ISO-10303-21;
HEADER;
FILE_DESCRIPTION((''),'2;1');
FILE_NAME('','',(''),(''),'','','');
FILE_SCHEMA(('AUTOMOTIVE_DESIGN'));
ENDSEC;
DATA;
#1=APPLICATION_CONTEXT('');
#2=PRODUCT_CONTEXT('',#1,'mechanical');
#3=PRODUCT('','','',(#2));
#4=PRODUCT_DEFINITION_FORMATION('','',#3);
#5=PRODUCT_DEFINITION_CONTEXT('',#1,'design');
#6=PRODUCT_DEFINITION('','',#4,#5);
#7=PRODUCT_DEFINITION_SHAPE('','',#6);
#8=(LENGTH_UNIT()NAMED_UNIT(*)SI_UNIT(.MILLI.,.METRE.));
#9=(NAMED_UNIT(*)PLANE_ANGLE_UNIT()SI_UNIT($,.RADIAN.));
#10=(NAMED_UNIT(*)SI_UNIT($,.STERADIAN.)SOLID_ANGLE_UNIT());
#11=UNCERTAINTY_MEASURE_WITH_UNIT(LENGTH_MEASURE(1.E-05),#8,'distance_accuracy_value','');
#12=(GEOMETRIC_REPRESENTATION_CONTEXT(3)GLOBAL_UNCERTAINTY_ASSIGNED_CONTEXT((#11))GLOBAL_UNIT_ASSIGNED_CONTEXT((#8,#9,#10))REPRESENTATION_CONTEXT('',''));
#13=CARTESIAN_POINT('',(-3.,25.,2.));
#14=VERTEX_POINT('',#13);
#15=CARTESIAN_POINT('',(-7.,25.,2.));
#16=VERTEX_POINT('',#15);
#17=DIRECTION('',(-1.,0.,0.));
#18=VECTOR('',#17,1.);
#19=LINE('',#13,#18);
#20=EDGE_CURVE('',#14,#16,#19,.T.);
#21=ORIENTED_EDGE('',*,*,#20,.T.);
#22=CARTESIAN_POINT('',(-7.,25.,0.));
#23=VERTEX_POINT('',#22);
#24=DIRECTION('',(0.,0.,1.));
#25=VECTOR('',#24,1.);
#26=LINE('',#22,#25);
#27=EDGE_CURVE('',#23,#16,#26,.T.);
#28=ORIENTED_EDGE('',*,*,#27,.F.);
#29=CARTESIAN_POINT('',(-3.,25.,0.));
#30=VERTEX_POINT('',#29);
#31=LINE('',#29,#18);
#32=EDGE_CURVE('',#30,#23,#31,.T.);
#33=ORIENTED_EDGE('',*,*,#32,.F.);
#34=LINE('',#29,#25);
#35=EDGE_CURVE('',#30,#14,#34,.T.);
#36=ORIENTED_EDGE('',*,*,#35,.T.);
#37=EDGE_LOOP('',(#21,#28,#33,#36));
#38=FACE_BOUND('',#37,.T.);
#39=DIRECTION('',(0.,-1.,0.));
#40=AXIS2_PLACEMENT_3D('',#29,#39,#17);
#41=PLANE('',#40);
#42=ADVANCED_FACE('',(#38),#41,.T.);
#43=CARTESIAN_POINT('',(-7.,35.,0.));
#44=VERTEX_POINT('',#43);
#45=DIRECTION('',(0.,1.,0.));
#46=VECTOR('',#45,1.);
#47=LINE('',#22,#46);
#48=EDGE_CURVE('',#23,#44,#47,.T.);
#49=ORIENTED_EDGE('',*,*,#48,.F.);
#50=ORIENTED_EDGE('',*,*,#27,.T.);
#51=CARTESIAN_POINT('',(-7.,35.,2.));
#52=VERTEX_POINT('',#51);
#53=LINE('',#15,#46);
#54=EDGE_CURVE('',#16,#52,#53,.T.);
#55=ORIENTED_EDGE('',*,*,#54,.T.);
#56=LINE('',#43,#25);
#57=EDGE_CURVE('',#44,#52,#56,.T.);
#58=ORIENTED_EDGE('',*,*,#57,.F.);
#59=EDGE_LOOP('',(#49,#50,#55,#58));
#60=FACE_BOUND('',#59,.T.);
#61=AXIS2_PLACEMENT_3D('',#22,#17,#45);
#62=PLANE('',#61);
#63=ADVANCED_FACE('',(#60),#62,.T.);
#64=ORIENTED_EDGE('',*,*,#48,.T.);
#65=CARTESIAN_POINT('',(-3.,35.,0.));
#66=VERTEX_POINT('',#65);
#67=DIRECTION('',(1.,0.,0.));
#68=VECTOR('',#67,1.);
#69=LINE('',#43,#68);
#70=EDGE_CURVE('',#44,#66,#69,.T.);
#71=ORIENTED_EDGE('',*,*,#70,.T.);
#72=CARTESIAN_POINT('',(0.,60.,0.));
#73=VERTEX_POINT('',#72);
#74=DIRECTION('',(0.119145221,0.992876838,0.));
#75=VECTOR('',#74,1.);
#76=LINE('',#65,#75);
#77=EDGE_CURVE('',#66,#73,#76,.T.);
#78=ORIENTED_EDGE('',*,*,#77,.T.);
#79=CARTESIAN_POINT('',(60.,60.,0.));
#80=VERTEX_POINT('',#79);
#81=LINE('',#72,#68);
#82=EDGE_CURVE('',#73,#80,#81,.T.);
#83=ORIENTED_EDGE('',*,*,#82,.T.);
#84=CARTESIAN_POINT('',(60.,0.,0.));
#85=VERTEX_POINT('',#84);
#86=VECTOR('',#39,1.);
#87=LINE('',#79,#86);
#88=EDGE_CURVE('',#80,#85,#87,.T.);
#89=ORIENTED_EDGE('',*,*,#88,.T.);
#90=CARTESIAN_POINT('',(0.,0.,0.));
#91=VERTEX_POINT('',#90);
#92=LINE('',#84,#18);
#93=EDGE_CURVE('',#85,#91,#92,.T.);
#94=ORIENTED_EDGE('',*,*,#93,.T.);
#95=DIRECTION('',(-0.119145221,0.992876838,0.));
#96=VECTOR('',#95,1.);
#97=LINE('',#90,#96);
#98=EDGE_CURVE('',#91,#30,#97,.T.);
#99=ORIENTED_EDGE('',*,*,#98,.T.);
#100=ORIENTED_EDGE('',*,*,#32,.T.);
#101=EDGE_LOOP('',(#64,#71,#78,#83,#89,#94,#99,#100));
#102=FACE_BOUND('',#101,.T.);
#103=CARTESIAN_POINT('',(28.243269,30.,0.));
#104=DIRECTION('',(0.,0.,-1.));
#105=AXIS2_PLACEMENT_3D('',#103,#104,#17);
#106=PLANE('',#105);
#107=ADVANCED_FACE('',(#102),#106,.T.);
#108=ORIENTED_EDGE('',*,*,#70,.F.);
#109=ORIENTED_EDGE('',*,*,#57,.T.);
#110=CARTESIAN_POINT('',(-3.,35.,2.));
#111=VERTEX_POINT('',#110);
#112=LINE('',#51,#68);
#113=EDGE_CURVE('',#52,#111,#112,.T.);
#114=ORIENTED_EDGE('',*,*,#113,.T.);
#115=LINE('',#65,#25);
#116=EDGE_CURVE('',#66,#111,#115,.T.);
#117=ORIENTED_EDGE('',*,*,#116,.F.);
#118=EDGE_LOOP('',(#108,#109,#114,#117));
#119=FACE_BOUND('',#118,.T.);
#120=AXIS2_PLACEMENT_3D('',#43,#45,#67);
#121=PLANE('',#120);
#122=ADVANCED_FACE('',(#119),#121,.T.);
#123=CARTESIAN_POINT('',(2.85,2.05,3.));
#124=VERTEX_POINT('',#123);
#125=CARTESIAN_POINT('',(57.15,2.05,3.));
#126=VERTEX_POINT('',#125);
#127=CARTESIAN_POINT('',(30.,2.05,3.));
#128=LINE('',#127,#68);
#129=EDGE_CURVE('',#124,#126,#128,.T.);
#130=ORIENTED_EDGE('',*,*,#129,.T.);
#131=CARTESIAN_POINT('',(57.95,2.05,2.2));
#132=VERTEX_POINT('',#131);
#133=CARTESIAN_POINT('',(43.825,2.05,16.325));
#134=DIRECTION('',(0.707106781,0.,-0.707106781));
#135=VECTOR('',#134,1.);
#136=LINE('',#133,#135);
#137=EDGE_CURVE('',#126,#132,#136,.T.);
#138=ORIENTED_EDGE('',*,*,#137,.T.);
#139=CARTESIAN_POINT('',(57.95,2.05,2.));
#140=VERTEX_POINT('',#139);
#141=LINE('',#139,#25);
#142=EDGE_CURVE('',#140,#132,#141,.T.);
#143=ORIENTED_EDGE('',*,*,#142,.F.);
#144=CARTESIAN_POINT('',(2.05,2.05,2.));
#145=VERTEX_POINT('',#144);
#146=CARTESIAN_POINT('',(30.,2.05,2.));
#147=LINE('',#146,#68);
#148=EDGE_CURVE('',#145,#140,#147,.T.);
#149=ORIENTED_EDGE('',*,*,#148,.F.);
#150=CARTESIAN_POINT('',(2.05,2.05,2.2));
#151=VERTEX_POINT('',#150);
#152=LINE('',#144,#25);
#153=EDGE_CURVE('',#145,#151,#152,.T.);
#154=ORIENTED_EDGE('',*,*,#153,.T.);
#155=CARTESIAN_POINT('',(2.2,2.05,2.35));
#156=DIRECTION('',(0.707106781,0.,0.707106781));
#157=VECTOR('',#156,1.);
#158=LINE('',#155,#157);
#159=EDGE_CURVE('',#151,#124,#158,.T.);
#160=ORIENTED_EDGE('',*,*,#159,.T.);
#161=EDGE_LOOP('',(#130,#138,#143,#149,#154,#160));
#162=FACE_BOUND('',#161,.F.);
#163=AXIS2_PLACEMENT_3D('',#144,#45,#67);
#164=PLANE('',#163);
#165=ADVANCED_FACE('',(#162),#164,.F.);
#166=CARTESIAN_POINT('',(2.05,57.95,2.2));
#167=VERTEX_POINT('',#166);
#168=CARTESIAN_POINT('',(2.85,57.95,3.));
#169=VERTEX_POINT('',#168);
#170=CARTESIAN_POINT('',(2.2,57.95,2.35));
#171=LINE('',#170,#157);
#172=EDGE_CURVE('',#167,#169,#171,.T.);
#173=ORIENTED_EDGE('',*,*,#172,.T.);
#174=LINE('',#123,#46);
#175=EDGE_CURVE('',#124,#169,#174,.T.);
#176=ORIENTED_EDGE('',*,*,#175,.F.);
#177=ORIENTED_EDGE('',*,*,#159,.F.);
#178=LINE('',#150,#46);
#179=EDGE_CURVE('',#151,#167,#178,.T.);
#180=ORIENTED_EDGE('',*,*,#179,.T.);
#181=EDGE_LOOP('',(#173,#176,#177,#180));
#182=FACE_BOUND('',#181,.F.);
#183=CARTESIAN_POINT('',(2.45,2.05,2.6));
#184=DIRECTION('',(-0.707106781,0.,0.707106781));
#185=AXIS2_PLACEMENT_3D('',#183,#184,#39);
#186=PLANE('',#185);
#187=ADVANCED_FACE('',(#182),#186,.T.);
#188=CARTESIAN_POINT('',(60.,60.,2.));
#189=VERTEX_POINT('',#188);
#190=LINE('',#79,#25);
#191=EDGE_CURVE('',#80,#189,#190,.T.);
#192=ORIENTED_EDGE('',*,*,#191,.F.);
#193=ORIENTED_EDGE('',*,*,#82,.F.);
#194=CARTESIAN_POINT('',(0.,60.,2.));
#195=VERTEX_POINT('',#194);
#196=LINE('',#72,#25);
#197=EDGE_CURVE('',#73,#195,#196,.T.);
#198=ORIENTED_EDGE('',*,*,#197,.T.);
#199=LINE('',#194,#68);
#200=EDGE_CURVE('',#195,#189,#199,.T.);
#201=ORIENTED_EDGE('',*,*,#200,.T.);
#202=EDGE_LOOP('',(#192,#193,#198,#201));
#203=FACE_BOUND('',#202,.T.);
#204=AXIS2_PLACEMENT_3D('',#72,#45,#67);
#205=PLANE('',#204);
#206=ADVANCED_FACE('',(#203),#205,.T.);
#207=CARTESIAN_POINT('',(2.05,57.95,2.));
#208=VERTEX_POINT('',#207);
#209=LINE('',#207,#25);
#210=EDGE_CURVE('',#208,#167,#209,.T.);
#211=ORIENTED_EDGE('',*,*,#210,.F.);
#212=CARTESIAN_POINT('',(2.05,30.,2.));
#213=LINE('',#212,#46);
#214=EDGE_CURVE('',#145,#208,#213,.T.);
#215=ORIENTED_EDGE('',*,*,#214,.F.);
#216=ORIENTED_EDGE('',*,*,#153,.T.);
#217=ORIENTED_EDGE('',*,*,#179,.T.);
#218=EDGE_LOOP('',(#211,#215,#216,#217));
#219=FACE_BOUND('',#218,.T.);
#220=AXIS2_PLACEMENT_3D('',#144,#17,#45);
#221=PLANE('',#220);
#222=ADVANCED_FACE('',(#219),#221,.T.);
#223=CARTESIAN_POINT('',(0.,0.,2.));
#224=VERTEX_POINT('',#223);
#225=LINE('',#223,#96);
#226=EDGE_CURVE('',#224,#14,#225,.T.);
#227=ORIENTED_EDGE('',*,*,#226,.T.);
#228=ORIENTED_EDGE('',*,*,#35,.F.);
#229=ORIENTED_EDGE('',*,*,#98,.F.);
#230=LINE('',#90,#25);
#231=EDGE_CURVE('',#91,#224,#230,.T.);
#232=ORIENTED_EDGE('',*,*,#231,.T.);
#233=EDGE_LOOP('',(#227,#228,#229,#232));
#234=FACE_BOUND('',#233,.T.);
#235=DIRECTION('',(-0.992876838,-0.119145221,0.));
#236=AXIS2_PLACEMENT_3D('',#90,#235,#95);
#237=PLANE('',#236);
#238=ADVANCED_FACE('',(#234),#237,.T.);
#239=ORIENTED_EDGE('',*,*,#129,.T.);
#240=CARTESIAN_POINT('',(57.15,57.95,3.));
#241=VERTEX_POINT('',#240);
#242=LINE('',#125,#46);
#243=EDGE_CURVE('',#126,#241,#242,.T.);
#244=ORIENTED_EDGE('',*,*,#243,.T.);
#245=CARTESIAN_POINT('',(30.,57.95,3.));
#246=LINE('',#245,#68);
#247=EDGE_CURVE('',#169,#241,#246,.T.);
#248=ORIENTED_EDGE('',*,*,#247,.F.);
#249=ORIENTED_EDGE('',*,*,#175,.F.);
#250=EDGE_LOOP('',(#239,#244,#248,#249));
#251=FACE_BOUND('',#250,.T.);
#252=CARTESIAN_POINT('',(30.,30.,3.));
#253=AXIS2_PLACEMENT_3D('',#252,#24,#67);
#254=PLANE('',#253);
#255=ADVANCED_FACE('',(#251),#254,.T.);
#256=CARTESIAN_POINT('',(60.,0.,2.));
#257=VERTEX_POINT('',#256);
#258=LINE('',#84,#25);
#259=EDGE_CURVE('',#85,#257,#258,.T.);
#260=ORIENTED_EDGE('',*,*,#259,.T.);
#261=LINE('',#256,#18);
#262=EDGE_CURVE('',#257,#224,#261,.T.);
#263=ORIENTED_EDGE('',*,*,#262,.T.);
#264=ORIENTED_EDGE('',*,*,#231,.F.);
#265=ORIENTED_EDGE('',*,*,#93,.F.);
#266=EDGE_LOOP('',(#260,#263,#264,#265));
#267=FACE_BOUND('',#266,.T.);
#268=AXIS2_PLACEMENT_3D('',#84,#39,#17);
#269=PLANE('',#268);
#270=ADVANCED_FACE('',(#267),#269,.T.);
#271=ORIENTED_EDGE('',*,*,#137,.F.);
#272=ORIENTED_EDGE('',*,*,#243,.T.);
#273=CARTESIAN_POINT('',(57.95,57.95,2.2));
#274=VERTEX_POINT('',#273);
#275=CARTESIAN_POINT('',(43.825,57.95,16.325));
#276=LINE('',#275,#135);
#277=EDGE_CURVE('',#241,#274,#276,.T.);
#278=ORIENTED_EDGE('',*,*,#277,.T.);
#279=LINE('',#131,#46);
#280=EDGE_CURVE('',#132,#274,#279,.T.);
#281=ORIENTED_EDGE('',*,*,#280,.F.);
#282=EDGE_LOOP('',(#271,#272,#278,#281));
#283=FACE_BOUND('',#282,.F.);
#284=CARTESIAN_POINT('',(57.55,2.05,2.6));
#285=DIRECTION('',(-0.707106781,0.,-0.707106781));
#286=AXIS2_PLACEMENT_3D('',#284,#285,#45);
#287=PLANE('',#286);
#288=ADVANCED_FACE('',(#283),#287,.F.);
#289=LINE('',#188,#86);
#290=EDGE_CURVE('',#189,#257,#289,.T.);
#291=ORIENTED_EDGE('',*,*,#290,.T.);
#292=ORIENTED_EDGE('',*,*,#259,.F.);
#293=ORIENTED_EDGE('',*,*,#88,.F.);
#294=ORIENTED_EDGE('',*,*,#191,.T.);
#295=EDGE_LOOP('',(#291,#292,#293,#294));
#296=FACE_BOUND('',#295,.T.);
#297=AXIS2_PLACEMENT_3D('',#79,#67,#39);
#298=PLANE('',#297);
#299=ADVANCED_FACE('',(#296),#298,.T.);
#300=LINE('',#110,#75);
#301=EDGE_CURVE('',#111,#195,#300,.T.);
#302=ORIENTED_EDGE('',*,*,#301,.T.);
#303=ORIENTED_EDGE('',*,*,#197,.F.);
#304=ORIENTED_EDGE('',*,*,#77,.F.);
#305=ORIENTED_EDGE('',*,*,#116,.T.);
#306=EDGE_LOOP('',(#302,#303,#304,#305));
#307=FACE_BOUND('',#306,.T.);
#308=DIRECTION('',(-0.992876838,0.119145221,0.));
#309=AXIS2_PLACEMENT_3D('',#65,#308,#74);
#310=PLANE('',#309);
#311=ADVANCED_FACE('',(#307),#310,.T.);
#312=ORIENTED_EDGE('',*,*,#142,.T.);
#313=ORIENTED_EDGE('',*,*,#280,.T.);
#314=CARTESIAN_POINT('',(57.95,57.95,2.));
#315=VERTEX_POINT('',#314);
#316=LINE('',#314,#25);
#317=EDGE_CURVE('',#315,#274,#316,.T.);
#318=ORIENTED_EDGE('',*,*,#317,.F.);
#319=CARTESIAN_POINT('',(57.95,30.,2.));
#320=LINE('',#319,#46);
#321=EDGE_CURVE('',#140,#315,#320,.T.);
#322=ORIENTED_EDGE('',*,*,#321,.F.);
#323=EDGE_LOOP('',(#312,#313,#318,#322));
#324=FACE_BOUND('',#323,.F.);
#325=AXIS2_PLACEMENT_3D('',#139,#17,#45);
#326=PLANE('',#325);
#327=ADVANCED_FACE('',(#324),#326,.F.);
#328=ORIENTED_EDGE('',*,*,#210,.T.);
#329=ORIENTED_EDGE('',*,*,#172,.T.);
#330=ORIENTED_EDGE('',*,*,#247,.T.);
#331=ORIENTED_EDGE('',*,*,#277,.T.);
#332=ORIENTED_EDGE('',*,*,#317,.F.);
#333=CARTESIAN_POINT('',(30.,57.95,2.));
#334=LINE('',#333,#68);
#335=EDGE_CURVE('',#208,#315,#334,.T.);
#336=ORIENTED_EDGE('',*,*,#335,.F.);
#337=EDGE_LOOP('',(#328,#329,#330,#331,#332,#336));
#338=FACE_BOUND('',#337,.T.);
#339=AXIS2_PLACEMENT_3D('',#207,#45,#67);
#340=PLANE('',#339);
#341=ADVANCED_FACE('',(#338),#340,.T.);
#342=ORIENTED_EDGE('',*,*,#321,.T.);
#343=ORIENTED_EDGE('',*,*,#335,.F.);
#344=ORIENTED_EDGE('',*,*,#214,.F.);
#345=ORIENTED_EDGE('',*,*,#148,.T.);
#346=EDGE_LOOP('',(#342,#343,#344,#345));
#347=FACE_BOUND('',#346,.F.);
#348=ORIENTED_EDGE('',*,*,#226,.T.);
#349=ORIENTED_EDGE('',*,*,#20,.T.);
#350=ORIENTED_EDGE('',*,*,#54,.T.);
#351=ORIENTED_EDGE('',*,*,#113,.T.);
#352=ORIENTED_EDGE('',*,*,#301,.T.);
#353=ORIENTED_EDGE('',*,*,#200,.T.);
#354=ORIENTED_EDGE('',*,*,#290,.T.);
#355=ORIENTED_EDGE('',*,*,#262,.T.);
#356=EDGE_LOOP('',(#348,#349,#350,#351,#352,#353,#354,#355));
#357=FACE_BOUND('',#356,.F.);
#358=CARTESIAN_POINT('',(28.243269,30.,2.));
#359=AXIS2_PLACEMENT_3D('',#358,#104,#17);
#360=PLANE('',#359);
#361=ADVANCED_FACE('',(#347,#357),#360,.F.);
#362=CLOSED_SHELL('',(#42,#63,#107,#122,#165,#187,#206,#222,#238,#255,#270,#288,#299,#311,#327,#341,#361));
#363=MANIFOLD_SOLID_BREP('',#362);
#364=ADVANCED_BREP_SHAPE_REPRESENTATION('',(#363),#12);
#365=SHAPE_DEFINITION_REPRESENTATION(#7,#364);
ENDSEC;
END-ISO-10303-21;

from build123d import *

# Parameters (mm, degrees)
PAD_DEPTH        = 2
SKETCH001_W      = 55.9
SKETCH001_H      = 55.9
PAD001_DEPTH     = 1
CHAMFER_SIZE2    = 0.8
CHAMFER_SIZE     = 0.8
CHAMFER001_SIZE2 = 0.8
CHAMFER001_SIZE  = 0.8


with BuildPart() as part:
    # Sketch → Pad (new body)
    with BuildSketch(Plane.XY):
        Polygon((0, 60), (60, 60), (60, 0), (0, 0), (-3, 25), (-7, 25), (-7, 35), (-3, 35), align=None)
    extrude(amount=PAD_DEPTH)

    # Sketch001 → Pad001 (join)
    with BuildSketch(Plane.XY.offset(2)):
        with Locations((30, 30)):
            Rectangle(SKETCH001_W, SKETCH001_H)
    extrude(amount=PAD001_DEPTH)

    # Chamfer
    chamfer_edges = [part.edges().sort_by_distance(p)[0] for p in [
        (2.05, 30, 3),
    ]]
    chamfer_side = part.faces().sort_by_distance((2.05, 30, 2.5))[0]
    chamfer(chamfer_edges, length=CHAMFER_SIZE, length2=CHAMFER_SIZE2, reference=chamfer_side)

    # Chamfer001
    chamfer001_edges = [part.edges().sort_by_distance(p)[0] for p in [
        (57.95, 30, 3),
    ]]
    chamfer001_side = part.faces().sort_by_distance((30.4, 30, 3))[0]
    chamfer(chamfer001_edges, length=CHAMFER001_SIZE, length2=CHAMFER001_SIZE2, reference=chamfer001_side)


solid = part.part
